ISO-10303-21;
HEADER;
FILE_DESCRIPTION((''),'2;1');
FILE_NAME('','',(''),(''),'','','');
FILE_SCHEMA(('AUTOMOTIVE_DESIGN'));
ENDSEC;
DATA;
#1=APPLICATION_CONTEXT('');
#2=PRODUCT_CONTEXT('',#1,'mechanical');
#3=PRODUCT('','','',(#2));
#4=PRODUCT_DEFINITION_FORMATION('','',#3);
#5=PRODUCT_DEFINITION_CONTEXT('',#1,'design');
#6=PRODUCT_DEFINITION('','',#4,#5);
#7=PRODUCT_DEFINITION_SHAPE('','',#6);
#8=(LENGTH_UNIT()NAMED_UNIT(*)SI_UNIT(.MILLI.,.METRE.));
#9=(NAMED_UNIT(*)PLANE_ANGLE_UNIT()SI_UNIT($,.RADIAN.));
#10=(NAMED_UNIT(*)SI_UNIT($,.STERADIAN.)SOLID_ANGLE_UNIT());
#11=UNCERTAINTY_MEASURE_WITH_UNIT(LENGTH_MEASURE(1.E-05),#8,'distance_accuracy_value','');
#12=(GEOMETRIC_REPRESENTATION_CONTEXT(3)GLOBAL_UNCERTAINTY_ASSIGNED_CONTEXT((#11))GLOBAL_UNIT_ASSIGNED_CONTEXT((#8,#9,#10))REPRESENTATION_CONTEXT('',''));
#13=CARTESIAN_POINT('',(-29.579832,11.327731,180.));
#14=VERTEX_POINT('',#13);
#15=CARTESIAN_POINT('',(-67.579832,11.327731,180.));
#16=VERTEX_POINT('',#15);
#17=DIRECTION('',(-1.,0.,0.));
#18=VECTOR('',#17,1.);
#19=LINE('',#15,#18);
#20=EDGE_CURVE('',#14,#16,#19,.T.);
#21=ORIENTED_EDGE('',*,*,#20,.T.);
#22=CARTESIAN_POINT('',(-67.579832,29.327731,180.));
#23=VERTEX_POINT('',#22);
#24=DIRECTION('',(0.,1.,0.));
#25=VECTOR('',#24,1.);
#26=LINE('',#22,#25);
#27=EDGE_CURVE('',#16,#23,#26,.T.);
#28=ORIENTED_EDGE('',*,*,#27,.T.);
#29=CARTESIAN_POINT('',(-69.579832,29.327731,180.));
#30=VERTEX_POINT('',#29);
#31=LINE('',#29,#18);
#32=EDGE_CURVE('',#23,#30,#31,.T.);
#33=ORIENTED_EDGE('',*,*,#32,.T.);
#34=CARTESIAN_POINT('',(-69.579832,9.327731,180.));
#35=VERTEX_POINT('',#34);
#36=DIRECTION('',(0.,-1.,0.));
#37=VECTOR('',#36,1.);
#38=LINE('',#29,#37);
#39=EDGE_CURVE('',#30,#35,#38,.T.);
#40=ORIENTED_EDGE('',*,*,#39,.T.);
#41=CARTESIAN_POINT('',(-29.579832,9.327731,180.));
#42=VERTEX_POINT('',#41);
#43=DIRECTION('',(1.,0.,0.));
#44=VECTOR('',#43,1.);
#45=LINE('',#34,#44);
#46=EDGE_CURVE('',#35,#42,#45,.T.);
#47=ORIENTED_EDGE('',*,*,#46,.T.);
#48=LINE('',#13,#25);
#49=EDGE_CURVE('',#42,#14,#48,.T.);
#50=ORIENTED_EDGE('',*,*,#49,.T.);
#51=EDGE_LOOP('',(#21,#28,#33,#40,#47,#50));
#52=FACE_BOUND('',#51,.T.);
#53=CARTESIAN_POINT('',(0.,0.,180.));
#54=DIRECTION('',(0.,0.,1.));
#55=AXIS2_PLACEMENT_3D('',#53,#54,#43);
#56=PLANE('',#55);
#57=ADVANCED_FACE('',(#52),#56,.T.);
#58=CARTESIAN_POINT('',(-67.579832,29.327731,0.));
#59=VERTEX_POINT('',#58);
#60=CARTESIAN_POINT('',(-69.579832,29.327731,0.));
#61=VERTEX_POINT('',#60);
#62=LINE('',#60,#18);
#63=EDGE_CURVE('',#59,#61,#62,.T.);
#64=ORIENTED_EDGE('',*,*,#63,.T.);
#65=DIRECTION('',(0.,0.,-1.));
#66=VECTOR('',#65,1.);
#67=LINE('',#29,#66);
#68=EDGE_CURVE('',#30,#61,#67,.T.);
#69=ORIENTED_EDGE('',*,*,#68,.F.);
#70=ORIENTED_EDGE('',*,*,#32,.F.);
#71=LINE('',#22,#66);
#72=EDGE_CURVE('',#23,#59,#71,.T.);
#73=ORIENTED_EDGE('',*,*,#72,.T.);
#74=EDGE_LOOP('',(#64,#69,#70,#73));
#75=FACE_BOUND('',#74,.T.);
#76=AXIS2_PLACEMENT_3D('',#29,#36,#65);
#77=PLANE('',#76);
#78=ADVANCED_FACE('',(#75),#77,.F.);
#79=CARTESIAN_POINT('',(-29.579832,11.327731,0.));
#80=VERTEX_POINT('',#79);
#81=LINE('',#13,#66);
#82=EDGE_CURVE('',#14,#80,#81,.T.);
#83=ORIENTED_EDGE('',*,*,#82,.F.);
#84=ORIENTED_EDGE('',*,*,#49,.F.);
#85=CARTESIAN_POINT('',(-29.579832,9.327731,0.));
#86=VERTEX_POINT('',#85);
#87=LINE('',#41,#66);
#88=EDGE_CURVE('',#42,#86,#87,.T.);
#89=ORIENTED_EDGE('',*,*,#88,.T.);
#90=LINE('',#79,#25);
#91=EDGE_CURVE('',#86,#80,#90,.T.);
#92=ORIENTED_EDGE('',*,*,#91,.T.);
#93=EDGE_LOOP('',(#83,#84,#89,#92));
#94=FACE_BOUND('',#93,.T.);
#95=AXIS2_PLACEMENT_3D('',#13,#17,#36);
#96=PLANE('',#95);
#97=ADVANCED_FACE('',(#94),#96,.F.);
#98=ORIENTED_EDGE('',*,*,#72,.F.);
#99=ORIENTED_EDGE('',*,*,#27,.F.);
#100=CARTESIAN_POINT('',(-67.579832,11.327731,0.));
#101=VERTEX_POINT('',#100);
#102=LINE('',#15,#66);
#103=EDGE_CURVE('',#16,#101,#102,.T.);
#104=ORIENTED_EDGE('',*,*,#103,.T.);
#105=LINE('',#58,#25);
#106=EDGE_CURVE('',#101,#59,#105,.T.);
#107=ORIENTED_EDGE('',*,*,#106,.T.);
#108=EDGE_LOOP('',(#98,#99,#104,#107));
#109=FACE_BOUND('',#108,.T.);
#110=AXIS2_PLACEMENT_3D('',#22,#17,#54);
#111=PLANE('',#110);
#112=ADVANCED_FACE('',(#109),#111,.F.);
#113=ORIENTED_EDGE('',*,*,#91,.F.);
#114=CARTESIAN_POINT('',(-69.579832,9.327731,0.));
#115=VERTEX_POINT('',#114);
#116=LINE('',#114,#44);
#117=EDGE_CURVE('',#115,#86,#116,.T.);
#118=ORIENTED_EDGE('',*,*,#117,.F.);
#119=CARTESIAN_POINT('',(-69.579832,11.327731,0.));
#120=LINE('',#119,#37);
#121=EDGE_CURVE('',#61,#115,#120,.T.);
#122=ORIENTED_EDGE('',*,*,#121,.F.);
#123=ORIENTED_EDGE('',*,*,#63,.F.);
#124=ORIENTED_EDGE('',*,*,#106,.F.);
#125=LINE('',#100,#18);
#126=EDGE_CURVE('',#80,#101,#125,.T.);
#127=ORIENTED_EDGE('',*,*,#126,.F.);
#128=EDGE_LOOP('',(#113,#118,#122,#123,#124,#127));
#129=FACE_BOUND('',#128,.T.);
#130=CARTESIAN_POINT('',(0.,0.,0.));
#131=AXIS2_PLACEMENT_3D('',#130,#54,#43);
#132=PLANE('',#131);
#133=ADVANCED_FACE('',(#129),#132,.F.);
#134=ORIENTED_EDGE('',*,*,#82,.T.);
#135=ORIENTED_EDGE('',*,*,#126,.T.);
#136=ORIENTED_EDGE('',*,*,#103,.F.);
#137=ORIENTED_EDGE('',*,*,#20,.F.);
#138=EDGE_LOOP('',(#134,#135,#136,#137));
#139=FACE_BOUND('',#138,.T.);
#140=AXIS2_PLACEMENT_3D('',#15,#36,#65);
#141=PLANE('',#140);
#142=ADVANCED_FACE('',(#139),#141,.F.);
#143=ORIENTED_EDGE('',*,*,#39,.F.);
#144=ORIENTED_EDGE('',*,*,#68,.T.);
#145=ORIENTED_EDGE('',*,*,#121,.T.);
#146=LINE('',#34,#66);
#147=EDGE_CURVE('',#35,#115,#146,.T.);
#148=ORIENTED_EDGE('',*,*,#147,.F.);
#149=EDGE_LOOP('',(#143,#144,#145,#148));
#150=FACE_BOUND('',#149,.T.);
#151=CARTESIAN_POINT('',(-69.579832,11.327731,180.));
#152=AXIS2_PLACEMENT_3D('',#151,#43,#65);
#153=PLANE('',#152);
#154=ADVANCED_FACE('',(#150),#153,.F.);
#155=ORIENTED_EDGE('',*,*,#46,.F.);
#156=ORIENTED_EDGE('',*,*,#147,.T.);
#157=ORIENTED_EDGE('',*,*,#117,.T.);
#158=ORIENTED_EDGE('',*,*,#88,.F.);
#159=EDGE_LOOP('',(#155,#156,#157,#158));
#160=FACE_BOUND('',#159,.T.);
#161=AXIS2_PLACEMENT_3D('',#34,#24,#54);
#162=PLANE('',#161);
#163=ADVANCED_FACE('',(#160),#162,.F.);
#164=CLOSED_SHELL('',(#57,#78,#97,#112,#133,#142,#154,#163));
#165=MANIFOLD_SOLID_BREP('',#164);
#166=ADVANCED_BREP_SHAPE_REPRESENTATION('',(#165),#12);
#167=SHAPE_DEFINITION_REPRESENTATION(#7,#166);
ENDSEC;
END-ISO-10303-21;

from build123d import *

# Parameters (mm, degrees)
BOSS_EXTRUDE1_DEPTH = 180


with BuildPart() as part:
    # Sketch1 → Boss-Extrude1 (new body)
    with BuildSketch(Plane.XY):
        Polygon((-69.579831933, 29.327731092), (-67.579831933, 29.327731092), (-67.579831933, 11.327731092), (-29.579831933, 11.327731092), (-29.579831933, 9.327731092), (-69.579831933, 9.327731092), (-69.579831933, 11.327731092), align=None)
    extrude(amount=BOSS_EXTRUDE1_DEPTH)


solid = part.part
